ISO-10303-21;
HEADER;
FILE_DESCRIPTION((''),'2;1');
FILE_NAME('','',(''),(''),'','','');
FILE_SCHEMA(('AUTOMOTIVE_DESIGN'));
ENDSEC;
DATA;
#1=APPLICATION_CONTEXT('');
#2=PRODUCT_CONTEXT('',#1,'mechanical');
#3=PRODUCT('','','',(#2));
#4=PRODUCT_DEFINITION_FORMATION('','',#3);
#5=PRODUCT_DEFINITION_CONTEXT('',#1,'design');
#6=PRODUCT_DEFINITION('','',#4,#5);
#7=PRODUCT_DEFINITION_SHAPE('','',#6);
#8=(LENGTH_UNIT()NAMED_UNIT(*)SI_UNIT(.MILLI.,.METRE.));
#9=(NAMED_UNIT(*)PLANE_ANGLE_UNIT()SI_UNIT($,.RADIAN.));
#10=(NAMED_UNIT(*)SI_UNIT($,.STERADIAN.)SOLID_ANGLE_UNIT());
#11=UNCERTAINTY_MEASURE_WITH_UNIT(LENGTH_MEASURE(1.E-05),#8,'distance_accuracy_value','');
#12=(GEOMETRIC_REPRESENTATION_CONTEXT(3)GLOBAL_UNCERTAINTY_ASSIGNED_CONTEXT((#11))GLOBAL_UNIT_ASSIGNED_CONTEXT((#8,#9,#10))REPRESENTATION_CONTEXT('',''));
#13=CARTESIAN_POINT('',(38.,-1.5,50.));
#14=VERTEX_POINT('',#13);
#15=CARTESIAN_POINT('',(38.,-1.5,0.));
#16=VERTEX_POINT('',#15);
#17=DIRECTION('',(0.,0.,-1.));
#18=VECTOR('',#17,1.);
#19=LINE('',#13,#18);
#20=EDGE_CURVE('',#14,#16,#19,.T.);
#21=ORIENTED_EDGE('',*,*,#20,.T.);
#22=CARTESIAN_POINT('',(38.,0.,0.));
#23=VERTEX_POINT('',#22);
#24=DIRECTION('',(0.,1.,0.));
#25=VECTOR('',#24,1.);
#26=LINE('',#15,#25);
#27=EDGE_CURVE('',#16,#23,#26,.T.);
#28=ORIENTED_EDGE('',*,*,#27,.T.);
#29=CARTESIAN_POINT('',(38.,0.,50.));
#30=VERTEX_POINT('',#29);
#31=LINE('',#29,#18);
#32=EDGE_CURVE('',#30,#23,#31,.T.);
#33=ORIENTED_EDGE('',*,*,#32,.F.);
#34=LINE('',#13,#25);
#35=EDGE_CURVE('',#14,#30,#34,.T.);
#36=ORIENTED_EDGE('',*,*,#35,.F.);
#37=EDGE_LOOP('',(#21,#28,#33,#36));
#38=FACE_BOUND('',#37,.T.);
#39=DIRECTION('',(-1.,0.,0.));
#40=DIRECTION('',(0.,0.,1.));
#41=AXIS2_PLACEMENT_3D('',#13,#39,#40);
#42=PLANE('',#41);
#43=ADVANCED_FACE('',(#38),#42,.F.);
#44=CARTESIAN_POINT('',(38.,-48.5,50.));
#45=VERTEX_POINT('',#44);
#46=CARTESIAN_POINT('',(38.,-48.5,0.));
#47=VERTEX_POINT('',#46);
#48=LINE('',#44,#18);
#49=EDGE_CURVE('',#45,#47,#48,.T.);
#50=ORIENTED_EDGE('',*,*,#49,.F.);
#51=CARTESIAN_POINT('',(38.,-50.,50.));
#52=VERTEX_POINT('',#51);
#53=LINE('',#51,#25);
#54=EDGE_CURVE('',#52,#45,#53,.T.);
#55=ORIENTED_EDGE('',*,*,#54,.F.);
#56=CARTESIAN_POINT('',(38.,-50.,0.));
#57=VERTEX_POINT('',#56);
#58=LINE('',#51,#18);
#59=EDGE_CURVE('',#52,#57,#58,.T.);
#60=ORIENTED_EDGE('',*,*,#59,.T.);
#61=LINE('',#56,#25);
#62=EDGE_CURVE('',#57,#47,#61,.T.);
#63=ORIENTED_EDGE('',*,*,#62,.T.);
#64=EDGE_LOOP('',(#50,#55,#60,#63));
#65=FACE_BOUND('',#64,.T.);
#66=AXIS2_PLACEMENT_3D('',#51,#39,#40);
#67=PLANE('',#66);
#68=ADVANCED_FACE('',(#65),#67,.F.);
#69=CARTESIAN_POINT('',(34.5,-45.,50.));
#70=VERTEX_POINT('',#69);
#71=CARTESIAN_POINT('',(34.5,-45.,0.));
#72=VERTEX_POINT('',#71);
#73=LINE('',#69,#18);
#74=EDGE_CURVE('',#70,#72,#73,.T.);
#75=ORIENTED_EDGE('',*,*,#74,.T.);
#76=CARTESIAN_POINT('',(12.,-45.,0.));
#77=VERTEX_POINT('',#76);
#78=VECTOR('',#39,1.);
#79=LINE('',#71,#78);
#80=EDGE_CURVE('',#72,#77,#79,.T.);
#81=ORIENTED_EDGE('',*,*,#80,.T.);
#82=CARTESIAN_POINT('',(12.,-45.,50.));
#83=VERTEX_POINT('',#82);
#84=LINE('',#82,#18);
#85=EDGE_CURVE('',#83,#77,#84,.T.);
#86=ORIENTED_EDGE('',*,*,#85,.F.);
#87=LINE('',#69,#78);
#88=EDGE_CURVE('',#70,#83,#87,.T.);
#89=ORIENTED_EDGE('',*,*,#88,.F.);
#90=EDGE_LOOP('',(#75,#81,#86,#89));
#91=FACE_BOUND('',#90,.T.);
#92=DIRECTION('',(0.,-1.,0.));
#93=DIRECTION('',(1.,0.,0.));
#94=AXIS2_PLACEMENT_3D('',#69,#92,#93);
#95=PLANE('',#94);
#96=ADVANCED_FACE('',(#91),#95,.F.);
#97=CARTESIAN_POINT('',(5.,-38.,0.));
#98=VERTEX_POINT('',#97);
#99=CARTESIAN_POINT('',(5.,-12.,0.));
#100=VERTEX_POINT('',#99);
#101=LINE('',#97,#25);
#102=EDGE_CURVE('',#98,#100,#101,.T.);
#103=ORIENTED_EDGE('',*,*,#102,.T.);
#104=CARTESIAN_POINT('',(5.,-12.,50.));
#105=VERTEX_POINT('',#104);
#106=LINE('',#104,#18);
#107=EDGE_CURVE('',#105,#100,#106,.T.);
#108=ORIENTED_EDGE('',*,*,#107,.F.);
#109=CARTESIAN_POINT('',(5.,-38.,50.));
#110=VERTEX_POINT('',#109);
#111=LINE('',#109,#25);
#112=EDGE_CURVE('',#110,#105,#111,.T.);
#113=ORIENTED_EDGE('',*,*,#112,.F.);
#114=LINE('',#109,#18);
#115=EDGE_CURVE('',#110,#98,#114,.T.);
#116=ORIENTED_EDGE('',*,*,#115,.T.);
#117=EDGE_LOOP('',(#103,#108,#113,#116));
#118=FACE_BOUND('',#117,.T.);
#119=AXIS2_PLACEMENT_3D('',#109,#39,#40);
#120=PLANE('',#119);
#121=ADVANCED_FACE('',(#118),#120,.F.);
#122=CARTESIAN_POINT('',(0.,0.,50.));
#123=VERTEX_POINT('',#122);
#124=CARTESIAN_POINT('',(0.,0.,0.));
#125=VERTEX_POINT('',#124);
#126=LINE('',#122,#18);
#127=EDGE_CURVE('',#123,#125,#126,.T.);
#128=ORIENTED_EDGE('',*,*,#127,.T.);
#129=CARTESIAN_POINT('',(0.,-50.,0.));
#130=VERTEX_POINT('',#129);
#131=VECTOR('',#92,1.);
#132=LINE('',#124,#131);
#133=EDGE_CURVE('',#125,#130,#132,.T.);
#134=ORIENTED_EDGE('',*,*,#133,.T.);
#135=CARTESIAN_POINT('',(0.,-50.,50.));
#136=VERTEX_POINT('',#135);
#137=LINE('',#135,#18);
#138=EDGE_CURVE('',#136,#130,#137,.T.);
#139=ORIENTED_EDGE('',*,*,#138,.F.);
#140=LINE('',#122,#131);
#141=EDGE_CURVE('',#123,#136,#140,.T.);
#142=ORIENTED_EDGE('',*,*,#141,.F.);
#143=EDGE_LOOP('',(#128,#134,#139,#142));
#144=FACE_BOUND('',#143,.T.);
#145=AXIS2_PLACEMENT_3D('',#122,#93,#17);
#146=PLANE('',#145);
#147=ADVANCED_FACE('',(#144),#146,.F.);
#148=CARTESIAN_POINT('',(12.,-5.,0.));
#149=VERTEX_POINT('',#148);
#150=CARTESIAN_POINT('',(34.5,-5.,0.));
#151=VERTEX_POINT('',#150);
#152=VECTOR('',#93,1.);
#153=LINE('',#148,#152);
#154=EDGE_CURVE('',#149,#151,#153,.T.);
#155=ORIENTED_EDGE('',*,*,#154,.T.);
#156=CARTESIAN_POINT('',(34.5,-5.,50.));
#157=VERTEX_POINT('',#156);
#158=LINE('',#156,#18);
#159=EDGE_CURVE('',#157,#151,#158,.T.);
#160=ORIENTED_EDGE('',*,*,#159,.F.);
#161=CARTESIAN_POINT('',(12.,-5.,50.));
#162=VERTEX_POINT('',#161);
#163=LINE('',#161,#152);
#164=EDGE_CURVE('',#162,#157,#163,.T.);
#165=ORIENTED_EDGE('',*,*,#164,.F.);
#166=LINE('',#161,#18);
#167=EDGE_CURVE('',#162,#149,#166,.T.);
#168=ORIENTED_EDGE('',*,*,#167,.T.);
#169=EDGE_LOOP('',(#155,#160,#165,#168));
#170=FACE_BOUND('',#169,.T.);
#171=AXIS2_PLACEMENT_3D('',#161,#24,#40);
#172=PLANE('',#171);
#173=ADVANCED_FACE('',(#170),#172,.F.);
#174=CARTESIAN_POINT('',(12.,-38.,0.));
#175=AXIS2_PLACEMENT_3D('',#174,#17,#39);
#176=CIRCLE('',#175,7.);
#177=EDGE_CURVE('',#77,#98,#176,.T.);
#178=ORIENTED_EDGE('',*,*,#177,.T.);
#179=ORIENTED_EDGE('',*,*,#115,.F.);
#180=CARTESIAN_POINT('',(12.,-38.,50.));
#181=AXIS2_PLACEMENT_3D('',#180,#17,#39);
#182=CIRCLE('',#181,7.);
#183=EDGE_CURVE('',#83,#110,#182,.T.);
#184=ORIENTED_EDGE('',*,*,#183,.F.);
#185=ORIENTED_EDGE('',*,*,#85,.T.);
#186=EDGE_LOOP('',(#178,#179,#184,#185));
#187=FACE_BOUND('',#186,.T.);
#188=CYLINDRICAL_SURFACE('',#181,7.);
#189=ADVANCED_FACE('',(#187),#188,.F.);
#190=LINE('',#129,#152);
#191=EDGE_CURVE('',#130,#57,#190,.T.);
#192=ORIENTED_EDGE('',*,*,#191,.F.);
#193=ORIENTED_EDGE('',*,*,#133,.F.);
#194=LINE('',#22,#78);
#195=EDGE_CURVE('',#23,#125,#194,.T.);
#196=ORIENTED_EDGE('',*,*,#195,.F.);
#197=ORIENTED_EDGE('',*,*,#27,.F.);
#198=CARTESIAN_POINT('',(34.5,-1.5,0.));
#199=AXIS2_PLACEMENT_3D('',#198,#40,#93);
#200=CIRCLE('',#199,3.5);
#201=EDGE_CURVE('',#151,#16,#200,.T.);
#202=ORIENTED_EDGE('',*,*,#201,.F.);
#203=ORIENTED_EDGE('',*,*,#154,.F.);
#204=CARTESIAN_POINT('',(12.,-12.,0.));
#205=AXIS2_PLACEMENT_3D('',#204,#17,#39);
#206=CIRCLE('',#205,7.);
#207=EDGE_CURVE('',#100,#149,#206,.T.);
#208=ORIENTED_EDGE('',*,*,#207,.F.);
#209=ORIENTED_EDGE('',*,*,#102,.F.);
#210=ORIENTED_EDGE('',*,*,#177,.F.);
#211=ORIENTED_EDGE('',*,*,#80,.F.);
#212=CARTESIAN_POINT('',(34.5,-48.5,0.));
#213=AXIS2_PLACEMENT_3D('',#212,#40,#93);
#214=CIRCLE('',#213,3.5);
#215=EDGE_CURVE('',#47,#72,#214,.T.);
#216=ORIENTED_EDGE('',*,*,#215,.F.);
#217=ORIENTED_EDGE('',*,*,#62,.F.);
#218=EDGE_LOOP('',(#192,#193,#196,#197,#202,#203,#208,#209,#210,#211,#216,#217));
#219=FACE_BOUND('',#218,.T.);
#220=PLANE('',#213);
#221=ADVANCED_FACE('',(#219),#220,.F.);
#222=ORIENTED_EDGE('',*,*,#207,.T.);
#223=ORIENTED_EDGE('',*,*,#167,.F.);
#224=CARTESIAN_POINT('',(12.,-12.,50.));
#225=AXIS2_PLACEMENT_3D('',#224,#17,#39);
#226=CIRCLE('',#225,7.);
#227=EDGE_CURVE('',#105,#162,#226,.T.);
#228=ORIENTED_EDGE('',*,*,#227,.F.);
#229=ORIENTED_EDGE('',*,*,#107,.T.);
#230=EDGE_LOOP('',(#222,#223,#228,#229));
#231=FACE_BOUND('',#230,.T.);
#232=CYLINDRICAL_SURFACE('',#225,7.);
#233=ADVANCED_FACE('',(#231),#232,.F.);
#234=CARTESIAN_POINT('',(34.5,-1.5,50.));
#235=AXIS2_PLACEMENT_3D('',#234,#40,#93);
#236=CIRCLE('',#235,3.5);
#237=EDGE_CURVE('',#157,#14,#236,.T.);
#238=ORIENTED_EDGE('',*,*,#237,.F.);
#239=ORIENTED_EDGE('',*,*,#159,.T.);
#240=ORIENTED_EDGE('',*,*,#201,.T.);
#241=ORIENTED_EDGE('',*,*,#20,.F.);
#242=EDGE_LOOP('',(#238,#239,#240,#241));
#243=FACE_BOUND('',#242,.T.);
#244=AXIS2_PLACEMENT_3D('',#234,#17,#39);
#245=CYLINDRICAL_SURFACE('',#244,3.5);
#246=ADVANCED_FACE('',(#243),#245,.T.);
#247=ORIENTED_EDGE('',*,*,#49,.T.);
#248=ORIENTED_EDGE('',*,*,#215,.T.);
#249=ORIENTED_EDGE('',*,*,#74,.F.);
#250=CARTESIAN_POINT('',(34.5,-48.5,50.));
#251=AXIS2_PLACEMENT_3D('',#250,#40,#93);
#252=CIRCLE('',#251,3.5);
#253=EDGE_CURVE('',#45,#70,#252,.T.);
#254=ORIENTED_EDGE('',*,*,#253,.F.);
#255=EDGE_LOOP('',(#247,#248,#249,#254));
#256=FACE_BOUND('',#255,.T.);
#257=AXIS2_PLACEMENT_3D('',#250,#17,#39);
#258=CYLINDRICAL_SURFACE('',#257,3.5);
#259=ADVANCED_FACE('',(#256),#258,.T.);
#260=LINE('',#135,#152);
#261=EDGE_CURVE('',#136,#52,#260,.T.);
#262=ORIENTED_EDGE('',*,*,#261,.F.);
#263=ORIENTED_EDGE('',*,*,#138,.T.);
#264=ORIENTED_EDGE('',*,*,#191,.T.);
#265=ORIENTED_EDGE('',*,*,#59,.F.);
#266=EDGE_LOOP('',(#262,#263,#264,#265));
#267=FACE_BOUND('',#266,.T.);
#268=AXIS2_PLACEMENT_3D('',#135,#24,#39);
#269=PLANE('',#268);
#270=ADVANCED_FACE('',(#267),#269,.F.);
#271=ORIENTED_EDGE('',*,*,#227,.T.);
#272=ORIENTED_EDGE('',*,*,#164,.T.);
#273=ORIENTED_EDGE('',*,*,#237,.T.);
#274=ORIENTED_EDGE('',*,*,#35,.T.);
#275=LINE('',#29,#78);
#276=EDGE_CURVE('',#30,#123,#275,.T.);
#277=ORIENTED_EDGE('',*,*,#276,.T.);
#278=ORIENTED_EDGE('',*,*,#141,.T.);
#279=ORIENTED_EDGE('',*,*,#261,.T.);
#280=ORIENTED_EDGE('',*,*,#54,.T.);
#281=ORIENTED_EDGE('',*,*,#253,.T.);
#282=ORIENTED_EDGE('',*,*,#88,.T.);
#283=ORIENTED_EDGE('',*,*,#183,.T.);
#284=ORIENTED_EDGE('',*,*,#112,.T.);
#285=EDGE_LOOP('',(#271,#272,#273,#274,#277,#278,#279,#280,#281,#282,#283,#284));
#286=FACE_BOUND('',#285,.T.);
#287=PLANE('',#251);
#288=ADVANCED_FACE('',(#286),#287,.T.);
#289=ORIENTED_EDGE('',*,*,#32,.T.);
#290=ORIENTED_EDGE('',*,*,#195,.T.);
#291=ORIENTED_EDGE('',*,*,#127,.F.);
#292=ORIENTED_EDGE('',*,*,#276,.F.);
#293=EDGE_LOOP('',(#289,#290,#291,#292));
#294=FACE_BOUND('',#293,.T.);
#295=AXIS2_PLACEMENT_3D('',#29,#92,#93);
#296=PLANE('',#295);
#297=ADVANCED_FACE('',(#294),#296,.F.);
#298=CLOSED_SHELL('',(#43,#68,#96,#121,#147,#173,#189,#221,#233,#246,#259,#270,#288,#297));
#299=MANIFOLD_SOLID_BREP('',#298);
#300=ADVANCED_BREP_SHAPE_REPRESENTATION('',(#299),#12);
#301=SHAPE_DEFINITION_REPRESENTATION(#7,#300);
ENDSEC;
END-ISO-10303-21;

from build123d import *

# Parameters (mm, degrees)
DODANIE_WYCI_GNI_CIE1_DEPTH = 50


with BuildPart() as part:
    # Szkic1 → Dodanie-wyciągnięcie1 (new body)
    with BuildSketch(Plane.XY):
        with BuildLine():
            Line((0, 0), (0, -50))
            Line((0, -50), (38, -50))
            Line((38, -50), (38, -48.5))
            ThreePointArc((38, -48.5), (36.974873734, -46.025126266), (34.5, -45))
            Line((34.5, -45), (12, -45))
            ThreePointArc((12, -45), (7.050252532, -42.949747468), (5, -38))
            Line((5, -38), (5, -12))
            ThreePointArc((5, -12), (7.050252532, -7.050252532), (12, -5))
            Line((12, -5), (34.5, -5))
            ThreePointArc((34.5, -5), (36.974873734, -3.974873734), (38, -1.5))
            Line((38, -1.5), (38, 0))
            Line((38, 0), (0, 0))
        make_face()
    extrude(amount=DODANIE_WYCI_GNI_CIE1_DEPTH)


solid = part.part
